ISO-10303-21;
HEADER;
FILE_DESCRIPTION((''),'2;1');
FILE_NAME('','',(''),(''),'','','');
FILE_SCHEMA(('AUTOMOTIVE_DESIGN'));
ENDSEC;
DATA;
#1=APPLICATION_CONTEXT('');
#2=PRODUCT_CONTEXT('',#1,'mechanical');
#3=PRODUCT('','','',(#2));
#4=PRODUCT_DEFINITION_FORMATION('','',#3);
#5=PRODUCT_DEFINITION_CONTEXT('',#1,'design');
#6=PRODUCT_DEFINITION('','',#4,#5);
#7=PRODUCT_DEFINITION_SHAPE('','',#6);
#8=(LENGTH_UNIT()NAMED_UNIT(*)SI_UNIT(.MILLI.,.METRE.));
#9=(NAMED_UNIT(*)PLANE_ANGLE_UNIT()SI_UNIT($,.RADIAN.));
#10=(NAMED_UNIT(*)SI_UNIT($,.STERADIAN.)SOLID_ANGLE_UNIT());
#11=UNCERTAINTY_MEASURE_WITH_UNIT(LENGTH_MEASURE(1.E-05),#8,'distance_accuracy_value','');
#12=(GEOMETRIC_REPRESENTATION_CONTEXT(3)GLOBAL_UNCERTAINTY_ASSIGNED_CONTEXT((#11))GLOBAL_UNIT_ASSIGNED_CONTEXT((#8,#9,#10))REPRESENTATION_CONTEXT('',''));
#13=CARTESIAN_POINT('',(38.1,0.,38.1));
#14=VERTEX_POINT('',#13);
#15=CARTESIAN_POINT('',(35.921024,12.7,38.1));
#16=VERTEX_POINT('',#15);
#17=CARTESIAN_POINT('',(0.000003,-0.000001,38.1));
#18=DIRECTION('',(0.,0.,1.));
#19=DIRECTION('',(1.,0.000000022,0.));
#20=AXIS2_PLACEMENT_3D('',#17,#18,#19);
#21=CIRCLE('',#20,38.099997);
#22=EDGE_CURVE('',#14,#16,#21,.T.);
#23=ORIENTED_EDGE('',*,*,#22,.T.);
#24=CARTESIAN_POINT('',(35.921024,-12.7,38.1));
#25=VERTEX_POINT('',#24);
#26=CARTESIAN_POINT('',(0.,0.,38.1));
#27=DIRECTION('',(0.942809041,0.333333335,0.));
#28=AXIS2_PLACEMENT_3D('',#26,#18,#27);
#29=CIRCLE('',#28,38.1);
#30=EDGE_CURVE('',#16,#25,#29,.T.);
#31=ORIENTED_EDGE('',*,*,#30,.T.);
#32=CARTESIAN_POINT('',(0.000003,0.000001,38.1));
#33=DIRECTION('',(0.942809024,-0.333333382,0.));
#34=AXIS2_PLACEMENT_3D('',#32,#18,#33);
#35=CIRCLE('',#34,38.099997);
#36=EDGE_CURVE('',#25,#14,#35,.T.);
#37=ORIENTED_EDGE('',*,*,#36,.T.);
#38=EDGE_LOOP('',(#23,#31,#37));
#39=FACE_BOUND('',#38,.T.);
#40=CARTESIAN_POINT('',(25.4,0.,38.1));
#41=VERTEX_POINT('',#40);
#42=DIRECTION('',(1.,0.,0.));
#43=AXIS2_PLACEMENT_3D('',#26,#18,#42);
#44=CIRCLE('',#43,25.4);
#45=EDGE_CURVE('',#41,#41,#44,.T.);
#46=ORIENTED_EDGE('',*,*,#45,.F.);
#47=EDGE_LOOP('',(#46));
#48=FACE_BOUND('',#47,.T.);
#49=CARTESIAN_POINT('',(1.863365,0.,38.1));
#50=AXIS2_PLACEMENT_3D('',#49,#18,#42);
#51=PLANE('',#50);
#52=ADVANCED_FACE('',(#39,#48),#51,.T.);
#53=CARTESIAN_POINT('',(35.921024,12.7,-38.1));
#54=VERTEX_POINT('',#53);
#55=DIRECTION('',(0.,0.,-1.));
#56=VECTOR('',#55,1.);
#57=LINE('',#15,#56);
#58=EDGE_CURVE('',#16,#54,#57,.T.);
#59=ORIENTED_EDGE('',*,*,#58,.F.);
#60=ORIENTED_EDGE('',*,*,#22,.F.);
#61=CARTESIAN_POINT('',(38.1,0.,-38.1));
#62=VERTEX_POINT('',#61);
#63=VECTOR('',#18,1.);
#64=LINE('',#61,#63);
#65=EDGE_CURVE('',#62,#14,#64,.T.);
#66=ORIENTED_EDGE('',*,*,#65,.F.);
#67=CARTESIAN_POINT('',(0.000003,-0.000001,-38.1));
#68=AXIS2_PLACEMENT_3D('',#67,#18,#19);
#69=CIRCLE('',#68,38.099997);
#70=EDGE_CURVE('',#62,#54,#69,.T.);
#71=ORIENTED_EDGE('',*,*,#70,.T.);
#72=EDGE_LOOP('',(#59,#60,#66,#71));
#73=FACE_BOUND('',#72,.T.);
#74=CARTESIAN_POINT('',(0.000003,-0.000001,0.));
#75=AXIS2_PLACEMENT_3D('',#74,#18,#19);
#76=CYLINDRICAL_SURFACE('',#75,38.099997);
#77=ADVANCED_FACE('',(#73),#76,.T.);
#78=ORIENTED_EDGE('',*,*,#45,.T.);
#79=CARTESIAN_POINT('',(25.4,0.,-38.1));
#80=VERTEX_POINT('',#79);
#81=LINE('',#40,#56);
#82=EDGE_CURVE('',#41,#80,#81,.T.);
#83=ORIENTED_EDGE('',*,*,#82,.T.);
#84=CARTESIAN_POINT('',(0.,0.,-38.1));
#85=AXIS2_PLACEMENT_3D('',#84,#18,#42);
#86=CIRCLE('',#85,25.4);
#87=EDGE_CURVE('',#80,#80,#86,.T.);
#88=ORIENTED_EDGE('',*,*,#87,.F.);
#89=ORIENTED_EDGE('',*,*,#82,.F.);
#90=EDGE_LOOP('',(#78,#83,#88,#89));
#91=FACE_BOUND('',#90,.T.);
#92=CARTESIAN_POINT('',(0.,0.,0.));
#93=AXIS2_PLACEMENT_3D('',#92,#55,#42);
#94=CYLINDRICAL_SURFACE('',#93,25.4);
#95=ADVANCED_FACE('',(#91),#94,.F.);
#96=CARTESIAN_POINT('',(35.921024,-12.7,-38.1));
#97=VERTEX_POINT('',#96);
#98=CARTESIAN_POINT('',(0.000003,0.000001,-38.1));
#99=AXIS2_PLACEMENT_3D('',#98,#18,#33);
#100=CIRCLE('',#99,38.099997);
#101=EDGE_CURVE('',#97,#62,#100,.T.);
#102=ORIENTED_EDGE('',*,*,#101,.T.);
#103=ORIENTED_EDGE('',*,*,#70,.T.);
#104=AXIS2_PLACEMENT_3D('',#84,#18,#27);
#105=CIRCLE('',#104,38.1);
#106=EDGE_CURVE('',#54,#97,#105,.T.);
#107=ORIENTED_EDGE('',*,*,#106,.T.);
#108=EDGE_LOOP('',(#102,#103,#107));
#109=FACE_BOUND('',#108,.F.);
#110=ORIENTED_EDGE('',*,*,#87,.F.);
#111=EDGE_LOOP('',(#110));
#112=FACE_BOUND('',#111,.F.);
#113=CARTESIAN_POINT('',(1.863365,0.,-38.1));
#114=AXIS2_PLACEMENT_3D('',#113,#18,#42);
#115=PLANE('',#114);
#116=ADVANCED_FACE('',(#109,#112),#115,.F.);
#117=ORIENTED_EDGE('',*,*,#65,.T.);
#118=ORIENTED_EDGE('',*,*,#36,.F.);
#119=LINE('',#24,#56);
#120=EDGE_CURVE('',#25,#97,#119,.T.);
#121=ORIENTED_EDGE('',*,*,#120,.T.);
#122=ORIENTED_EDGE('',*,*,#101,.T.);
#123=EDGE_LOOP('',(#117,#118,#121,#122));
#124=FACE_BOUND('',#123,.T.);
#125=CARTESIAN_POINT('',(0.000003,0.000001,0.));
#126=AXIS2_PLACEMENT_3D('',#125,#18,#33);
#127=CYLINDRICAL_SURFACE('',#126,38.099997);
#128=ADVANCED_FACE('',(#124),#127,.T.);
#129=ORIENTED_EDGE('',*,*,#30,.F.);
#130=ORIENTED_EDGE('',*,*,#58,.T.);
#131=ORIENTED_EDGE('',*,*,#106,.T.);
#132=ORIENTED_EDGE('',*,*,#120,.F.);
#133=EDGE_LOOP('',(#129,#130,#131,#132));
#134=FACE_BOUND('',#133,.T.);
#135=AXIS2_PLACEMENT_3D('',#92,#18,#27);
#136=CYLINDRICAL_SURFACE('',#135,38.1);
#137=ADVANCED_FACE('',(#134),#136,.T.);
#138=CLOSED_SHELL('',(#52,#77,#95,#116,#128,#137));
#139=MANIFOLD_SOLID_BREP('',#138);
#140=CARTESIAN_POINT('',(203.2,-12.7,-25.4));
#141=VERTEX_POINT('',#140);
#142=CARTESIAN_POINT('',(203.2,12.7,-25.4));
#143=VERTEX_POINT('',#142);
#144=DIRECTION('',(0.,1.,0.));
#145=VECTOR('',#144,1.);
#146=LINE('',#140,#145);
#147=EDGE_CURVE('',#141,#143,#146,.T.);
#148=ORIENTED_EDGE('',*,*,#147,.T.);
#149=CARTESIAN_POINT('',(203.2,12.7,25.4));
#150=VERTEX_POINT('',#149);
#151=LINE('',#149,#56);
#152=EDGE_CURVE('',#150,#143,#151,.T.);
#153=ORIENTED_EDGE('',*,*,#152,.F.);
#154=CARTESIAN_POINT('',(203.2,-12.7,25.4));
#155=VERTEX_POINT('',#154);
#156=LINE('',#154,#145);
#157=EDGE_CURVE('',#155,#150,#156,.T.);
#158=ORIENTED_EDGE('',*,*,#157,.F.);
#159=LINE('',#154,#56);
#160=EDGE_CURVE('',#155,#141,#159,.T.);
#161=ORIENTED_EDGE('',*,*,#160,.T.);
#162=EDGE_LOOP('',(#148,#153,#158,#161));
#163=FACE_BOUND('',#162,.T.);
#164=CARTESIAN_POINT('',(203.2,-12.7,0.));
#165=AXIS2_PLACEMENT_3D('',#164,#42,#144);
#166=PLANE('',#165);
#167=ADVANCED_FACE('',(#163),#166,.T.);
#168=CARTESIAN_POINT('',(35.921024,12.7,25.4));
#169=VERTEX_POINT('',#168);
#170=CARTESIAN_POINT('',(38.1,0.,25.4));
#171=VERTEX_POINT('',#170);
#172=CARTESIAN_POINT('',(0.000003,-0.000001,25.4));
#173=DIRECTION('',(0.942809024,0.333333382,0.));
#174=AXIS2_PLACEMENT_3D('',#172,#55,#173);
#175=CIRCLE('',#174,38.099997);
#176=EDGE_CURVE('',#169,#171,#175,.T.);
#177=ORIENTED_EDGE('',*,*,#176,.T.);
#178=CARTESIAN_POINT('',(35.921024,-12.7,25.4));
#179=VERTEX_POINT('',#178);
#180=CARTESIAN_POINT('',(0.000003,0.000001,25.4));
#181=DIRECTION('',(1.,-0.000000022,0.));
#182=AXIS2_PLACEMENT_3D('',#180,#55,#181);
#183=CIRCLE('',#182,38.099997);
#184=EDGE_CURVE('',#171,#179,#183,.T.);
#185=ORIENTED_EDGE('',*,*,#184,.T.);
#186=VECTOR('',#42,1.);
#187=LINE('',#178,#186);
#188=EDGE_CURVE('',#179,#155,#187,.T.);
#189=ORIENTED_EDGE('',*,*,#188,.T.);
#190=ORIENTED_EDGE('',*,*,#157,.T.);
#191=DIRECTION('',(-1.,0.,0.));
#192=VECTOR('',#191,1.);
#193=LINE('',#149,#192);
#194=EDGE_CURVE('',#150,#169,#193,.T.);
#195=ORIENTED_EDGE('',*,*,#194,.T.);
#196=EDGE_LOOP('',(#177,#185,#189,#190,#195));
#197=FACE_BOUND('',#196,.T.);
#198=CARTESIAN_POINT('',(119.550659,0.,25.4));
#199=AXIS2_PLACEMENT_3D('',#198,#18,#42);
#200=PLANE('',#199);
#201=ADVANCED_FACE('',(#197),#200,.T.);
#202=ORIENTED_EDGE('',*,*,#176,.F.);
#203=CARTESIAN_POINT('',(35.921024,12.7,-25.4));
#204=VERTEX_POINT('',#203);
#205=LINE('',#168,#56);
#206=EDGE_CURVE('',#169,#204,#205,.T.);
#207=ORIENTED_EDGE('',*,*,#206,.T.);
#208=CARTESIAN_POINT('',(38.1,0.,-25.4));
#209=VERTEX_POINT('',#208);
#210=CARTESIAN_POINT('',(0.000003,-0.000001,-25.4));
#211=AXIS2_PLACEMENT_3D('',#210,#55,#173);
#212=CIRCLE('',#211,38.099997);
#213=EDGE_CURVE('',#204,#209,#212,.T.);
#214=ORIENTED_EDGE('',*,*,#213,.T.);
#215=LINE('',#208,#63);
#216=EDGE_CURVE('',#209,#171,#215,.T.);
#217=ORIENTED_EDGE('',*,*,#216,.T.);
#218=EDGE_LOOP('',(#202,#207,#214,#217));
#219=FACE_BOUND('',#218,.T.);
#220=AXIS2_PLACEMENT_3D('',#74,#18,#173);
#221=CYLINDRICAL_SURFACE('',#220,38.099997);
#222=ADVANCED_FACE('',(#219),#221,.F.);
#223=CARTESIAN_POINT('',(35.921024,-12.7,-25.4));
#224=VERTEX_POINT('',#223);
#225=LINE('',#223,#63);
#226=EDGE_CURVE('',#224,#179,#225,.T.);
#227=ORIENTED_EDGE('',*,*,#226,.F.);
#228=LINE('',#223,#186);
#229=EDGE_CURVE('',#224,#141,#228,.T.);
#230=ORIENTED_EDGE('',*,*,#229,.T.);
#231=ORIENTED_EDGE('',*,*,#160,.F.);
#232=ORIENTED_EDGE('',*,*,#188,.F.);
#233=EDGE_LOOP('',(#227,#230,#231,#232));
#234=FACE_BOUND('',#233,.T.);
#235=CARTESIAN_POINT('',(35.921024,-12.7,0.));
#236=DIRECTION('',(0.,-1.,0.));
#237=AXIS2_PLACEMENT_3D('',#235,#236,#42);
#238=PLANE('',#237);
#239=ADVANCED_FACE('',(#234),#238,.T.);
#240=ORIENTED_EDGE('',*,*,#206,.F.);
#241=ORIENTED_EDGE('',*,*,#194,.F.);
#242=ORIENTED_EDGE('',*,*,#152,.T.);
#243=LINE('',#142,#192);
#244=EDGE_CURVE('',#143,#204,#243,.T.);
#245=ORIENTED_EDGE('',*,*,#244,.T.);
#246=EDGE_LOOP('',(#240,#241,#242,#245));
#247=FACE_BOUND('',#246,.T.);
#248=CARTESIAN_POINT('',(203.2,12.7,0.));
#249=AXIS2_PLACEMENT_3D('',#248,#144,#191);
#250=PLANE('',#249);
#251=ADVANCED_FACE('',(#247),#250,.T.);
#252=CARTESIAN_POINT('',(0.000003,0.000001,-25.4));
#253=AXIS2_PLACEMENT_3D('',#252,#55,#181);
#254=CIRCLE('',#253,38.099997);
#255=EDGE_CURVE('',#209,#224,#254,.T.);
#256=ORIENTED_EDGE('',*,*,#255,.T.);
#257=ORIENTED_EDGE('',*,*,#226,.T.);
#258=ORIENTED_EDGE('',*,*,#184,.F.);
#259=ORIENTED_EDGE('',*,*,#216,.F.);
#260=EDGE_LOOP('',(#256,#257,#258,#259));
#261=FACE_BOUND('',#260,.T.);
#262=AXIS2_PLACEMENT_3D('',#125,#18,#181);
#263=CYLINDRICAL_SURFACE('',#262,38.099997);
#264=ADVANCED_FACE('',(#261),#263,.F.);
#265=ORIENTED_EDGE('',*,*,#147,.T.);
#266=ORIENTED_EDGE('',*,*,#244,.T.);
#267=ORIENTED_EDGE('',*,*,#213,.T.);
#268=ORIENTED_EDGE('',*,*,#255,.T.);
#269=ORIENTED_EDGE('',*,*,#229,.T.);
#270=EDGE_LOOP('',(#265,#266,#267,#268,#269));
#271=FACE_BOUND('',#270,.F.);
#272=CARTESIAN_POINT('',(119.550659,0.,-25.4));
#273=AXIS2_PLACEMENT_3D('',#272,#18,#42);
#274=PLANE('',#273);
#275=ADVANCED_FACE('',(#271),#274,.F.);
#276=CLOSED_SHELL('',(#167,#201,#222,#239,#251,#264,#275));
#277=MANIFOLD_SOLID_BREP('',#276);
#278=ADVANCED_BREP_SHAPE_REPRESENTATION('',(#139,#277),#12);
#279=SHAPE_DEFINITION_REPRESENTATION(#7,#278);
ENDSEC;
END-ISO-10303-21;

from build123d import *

# Parameters (mm, degrees)
F0_R     = 25.4
F1_DEPTH = 38.1
F2_DEPTH = 25.4


with BuildPart() as f1:
    # F0 (on Top) → F1 (new body, symmetric)
    with BuildSketch(Plane.XY):
        with BuildLine():
            ThreePointArc((35.921024, -12.7), (37.551305, -6.442785), (38.1, 0))
            ThreePointArc((38.1, 0), (37.551305, 6.442785), (35.921024, 12.7))
            ThreePointArc((35.921024, 12.7), (-38.1, 0), (35.921024, -12.7))
        make_face()
        Circle(F0_R, mode=Mode.SUBTRACT)
    extrude(amount=F1_DEPTH, both=True)


with BuildPart() as f2:
    # F0 (on Top) → F2 (new body, symmetric)
    with BuildSketch(Plane.XY):
        with BuildLine():
            ThreePointArc((35.921024, 12.7), (37.551305, 6.442785), (38.1, 0))
            ThreePointArc((38.1, 0), (37.551305, -6.442785), (35.921024, -12.7))
            Line((35.921024, -12.7), (203.2, -12.7))
            Line((203.2, -12.7), (203.2, 12.7))
            Line((203.2, 12.7), (35.921024, 12.7))
        make_face()
    extrude(amount=F2_DEPTH, both=True)


solid = Compound([f1.part, f2.part])
